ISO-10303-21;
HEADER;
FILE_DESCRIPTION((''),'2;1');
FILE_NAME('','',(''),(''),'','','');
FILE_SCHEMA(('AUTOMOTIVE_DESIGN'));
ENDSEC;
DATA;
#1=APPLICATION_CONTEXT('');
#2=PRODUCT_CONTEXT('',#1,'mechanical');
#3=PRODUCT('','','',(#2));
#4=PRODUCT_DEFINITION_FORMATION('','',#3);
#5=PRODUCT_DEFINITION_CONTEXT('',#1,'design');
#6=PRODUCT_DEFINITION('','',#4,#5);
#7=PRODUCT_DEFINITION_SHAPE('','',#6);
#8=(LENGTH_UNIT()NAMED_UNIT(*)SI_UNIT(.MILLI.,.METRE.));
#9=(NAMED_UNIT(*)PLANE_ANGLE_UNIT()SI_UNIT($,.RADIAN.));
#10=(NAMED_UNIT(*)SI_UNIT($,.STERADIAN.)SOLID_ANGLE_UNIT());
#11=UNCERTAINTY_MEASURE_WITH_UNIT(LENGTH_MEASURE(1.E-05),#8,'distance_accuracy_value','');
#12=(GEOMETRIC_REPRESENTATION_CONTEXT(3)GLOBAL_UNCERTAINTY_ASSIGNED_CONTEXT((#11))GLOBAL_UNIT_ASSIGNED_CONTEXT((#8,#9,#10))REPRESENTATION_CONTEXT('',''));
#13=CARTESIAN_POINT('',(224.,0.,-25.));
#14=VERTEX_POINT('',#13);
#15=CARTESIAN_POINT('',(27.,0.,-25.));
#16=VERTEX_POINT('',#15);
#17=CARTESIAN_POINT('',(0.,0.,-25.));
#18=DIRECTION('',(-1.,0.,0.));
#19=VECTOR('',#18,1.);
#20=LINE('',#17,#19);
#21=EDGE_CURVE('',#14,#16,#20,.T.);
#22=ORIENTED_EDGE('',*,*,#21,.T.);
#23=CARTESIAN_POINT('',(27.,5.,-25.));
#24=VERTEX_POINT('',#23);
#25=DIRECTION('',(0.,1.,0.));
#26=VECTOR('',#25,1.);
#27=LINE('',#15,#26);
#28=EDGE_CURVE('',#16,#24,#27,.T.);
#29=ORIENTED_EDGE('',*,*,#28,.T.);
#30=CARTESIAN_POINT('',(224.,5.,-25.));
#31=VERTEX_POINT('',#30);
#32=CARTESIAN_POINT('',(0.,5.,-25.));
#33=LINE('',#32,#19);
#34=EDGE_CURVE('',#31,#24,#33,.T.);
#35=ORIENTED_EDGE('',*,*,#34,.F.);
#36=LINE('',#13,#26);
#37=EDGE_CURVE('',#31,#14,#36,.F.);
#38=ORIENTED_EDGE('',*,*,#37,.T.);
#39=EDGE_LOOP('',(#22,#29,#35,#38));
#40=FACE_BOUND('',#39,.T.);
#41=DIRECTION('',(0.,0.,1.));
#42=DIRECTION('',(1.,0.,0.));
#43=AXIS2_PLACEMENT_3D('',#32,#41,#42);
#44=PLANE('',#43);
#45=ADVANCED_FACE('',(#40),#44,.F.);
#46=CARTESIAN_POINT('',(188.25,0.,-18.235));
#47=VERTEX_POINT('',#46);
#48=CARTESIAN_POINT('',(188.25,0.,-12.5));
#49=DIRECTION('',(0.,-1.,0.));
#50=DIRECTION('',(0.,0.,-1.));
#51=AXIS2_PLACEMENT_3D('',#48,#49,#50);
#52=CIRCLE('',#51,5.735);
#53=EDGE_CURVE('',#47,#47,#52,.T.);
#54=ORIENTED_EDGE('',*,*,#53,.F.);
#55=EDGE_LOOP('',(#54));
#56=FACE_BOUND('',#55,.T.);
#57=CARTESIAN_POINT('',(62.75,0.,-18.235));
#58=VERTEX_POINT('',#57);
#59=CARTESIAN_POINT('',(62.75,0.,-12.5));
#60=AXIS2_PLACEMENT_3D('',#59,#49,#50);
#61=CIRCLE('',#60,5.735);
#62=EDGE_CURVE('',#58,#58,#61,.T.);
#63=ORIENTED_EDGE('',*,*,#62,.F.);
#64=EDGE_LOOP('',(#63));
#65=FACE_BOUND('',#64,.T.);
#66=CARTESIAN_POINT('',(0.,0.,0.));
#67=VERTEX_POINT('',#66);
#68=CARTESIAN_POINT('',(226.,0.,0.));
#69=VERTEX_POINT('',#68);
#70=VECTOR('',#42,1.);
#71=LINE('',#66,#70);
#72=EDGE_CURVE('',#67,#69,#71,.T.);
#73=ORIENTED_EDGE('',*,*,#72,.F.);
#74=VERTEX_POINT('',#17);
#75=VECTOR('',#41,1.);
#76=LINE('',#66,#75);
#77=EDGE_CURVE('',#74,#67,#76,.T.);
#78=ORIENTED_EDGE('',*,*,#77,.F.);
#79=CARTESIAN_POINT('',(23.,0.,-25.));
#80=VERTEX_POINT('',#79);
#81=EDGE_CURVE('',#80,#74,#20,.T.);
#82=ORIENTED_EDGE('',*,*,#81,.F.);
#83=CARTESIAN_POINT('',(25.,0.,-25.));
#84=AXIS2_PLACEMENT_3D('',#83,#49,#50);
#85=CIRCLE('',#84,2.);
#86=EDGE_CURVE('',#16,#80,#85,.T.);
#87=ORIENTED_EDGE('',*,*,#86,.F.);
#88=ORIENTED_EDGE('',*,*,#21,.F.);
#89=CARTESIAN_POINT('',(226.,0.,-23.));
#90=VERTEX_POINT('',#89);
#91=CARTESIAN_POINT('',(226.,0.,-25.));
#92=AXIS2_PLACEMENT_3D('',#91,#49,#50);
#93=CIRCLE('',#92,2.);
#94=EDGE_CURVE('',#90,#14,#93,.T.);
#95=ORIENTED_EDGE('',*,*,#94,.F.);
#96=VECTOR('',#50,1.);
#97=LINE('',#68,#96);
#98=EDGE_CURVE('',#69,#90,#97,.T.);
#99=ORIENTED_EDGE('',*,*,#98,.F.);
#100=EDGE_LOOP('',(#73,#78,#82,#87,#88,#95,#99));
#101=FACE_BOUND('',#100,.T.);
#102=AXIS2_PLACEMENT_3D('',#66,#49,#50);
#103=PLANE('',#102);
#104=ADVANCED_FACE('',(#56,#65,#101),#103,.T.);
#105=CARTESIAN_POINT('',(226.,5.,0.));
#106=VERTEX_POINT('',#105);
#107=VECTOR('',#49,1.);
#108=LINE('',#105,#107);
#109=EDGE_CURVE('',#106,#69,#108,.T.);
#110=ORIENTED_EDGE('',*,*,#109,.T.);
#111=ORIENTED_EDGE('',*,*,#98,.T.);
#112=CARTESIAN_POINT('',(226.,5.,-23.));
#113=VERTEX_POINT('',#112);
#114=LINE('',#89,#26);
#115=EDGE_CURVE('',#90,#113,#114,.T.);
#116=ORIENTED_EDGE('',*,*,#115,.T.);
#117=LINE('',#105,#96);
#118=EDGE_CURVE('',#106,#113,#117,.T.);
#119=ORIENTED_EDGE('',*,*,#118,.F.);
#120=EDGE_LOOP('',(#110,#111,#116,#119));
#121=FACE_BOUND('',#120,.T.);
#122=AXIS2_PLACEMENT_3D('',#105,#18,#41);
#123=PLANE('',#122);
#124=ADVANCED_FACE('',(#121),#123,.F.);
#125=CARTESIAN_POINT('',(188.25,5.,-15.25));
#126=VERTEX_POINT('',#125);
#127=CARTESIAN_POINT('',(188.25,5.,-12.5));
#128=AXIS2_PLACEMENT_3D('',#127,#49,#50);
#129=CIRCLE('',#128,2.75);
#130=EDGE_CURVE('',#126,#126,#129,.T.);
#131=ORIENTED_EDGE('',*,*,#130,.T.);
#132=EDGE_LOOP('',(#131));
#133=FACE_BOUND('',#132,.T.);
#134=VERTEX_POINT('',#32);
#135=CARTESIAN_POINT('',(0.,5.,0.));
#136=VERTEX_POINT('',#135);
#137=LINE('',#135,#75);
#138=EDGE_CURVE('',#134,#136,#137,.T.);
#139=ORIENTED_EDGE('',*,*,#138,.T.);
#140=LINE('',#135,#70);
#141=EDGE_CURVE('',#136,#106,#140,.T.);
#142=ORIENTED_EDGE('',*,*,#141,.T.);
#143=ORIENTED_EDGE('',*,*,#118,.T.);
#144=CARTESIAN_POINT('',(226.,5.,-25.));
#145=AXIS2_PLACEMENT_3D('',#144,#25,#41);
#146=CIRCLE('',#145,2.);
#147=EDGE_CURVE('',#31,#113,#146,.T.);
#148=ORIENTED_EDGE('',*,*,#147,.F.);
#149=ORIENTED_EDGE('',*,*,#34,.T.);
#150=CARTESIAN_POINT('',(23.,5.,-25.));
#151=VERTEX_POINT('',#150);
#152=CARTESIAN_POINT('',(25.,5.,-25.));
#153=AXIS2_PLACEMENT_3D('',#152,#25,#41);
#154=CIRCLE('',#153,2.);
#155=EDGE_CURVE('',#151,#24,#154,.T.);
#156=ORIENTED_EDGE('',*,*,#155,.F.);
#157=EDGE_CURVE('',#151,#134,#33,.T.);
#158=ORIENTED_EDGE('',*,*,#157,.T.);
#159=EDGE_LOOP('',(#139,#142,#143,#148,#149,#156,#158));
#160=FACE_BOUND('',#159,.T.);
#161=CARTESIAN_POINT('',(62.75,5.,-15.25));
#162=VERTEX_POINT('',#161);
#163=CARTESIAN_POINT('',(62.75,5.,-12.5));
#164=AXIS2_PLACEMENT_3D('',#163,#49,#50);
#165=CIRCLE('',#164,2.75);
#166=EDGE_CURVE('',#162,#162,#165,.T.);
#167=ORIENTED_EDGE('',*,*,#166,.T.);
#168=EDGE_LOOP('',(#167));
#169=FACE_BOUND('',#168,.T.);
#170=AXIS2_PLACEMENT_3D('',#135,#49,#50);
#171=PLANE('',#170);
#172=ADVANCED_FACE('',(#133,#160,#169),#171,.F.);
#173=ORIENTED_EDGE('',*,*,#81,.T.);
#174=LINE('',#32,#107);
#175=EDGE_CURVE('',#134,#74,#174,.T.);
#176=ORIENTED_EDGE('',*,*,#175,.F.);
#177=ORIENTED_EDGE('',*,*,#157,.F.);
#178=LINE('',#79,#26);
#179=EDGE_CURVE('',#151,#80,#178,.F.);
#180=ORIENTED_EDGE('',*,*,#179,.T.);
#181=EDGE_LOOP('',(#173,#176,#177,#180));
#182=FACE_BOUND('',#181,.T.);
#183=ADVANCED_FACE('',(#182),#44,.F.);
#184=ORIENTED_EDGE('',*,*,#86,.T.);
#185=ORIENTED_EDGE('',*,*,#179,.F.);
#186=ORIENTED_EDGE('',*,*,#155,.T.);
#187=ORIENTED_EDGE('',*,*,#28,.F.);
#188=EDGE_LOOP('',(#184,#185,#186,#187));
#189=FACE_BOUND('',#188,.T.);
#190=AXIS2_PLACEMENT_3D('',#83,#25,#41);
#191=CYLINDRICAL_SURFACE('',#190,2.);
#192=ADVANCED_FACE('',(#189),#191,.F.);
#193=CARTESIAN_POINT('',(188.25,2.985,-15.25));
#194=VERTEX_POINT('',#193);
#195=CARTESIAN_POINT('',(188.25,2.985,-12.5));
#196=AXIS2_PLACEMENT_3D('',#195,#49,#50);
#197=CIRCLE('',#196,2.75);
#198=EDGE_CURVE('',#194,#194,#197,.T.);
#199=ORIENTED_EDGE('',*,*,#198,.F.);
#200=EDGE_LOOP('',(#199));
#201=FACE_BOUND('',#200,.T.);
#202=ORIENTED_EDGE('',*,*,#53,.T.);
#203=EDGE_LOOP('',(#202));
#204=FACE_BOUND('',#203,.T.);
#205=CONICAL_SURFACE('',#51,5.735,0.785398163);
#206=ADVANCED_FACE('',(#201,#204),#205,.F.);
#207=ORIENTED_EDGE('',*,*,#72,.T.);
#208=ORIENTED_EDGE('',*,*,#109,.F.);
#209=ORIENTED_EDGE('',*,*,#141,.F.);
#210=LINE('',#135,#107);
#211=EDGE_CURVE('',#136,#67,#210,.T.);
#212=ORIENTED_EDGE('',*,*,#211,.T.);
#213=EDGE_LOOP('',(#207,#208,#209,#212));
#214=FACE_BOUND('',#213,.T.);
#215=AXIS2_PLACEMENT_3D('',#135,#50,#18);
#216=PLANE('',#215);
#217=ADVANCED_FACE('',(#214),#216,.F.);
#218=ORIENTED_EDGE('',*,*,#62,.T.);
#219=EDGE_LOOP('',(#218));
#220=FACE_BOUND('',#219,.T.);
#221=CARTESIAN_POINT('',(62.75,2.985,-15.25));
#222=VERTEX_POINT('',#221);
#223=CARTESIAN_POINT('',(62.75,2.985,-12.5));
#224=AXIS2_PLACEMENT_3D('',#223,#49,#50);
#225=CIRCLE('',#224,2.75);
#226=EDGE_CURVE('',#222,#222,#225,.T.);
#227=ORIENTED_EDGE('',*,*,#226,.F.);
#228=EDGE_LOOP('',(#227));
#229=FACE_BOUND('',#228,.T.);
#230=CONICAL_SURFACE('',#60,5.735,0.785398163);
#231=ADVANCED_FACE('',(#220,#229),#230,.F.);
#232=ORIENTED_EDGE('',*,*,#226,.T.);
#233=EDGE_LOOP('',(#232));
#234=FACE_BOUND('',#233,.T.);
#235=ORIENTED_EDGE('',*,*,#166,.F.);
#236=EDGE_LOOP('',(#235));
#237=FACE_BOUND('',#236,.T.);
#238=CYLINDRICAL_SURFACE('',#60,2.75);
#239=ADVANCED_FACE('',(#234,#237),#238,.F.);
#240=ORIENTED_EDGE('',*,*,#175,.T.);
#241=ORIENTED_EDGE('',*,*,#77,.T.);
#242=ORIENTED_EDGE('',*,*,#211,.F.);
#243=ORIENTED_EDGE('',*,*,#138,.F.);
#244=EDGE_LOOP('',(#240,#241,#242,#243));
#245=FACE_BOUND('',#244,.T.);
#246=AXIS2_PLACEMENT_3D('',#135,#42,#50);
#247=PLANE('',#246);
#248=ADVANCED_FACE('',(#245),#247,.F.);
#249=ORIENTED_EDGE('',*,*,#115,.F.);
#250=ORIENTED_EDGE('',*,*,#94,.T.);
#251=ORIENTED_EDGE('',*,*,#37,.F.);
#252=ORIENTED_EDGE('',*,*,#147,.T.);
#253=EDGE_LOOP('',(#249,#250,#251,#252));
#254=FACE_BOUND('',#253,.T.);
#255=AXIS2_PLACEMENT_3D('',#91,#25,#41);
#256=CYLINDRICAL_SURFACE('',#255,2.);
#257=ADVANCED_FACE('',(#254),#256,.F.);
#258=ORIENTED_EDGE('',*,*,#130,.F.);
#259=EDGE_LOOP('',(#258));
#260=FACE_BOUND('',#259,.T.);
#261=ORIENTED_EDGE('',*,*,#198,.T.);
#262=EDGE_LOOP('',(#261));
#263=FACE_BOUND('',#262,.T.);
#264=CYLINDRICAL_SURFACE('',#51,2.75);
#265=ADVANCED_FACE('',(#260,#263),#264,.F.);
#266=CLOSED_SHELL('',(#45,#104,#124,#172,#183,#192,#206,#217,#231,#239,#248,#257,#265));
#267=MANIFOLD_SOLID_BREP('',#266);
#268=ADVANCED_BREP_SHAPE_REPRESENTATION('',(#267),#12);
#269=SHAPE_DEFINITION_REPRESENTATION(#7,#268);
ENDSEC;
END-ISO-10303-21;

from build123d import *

# Parameters (mm, degrees)
CROQUIS1_W                                           = 226
CROQUIS1_H                                           = 25
SALIENTE_EXTRUIR1_DEPTH                              = 5
CROQUIS2_R                                           = 2
CORTAR_EXTRUIR1_DEPTH                                = 5
AVELLANADO_PARA_TORNILLO_CON_CABEZA_AVEL_D           = 5.5
AVELLANADO_PARA_TORNILLO_CON_CABEZA_AVEL_DEPTH       = 5
AVELLANADO_PARA_TORNILLO_CON_CABEZA_AVEL_CSINK_D     = 11.47
AVELLANADO_PARA_TORNILLO_CON_CABEZA_AVEL_CSINK_ANGLE = 90
AVELLANADO_PARA_TORNILLO_CON_CABEZA_AVEL_TIP         = 1.652366702


with BuildPart() as part:
    # Croquis1 → Saliente-Extruir1 (new body)
    with BuildSketch(Plane(origin=(0, 0, 0), x_dir=(1, 0, 0), z_dir=(0, 1, 0))):
        with Locations((113, 12.5)):
            Rectangle(CROQUIS1_W, CROQUIS1_H)
    extrude(amount=SALIENTE_EXTRUIR1_DEPTH)

    # Croquis2 → Cortar-Extruir1 (cut)
    with BuildSketch(Plane(origin=(0, 5, 0), x_dir=(1, 0, 0), z_dir=(0, 1, 0))):
        with Locations((25, 25)):
            Circle(CROQUIS2_R)
        with Locations((226, 25)):
            Circle(CROQUIS2_R)
    extrude(amount=-CORTAR_EXTRUIR1_DEPTH, mode=Mode.SUBTRACT)

    # Avellanado para tornillo con cabeza avellanada de clavija hexagonal de M51
    with Locations(Plane(origin=(0, 0, 0), x_dir=(-1, 0, 0), z_dir=(0, -1, 0))):
        with Locations((-62.75, 12.5), (-188.25, 12.5)):
            CounterSinkHole(AVELLANADO_PARA_TORNILLO_CON_CABEZA_AVEL_D / 2, AVELLANADO_PARA_TORNILLO_CON_CABEZA_AVEL_CSINK_D / 2, depth=AVELLANADO_PARA_TORNILLO_CON_CABEZA_AVEL_DEPTH, counter_sink_angle=AVELLANADO_PARA_TORNILLO_CON_CABEZA_AVEL_CSINK_ANGLE)
            with Locations((0, 0, -(AVELLANADO_PARA_TORNILLO_CON_CABEZA_AVEL_DEPTH + AVELLANADO_PARA_TORNILLO_CON_CABEZA_AVEL_TIP / 2))):  # 118° drill point
                Cone(0, AVELLANADO_PARA_TORNILLO_CON_CABEZA_AVEL_D / 2, AVELLANADO_PARA_TORNILLO_CON_CABEZA_AVEL_TIP, mode=Mode.SUBTRACT)


solid = part.part
